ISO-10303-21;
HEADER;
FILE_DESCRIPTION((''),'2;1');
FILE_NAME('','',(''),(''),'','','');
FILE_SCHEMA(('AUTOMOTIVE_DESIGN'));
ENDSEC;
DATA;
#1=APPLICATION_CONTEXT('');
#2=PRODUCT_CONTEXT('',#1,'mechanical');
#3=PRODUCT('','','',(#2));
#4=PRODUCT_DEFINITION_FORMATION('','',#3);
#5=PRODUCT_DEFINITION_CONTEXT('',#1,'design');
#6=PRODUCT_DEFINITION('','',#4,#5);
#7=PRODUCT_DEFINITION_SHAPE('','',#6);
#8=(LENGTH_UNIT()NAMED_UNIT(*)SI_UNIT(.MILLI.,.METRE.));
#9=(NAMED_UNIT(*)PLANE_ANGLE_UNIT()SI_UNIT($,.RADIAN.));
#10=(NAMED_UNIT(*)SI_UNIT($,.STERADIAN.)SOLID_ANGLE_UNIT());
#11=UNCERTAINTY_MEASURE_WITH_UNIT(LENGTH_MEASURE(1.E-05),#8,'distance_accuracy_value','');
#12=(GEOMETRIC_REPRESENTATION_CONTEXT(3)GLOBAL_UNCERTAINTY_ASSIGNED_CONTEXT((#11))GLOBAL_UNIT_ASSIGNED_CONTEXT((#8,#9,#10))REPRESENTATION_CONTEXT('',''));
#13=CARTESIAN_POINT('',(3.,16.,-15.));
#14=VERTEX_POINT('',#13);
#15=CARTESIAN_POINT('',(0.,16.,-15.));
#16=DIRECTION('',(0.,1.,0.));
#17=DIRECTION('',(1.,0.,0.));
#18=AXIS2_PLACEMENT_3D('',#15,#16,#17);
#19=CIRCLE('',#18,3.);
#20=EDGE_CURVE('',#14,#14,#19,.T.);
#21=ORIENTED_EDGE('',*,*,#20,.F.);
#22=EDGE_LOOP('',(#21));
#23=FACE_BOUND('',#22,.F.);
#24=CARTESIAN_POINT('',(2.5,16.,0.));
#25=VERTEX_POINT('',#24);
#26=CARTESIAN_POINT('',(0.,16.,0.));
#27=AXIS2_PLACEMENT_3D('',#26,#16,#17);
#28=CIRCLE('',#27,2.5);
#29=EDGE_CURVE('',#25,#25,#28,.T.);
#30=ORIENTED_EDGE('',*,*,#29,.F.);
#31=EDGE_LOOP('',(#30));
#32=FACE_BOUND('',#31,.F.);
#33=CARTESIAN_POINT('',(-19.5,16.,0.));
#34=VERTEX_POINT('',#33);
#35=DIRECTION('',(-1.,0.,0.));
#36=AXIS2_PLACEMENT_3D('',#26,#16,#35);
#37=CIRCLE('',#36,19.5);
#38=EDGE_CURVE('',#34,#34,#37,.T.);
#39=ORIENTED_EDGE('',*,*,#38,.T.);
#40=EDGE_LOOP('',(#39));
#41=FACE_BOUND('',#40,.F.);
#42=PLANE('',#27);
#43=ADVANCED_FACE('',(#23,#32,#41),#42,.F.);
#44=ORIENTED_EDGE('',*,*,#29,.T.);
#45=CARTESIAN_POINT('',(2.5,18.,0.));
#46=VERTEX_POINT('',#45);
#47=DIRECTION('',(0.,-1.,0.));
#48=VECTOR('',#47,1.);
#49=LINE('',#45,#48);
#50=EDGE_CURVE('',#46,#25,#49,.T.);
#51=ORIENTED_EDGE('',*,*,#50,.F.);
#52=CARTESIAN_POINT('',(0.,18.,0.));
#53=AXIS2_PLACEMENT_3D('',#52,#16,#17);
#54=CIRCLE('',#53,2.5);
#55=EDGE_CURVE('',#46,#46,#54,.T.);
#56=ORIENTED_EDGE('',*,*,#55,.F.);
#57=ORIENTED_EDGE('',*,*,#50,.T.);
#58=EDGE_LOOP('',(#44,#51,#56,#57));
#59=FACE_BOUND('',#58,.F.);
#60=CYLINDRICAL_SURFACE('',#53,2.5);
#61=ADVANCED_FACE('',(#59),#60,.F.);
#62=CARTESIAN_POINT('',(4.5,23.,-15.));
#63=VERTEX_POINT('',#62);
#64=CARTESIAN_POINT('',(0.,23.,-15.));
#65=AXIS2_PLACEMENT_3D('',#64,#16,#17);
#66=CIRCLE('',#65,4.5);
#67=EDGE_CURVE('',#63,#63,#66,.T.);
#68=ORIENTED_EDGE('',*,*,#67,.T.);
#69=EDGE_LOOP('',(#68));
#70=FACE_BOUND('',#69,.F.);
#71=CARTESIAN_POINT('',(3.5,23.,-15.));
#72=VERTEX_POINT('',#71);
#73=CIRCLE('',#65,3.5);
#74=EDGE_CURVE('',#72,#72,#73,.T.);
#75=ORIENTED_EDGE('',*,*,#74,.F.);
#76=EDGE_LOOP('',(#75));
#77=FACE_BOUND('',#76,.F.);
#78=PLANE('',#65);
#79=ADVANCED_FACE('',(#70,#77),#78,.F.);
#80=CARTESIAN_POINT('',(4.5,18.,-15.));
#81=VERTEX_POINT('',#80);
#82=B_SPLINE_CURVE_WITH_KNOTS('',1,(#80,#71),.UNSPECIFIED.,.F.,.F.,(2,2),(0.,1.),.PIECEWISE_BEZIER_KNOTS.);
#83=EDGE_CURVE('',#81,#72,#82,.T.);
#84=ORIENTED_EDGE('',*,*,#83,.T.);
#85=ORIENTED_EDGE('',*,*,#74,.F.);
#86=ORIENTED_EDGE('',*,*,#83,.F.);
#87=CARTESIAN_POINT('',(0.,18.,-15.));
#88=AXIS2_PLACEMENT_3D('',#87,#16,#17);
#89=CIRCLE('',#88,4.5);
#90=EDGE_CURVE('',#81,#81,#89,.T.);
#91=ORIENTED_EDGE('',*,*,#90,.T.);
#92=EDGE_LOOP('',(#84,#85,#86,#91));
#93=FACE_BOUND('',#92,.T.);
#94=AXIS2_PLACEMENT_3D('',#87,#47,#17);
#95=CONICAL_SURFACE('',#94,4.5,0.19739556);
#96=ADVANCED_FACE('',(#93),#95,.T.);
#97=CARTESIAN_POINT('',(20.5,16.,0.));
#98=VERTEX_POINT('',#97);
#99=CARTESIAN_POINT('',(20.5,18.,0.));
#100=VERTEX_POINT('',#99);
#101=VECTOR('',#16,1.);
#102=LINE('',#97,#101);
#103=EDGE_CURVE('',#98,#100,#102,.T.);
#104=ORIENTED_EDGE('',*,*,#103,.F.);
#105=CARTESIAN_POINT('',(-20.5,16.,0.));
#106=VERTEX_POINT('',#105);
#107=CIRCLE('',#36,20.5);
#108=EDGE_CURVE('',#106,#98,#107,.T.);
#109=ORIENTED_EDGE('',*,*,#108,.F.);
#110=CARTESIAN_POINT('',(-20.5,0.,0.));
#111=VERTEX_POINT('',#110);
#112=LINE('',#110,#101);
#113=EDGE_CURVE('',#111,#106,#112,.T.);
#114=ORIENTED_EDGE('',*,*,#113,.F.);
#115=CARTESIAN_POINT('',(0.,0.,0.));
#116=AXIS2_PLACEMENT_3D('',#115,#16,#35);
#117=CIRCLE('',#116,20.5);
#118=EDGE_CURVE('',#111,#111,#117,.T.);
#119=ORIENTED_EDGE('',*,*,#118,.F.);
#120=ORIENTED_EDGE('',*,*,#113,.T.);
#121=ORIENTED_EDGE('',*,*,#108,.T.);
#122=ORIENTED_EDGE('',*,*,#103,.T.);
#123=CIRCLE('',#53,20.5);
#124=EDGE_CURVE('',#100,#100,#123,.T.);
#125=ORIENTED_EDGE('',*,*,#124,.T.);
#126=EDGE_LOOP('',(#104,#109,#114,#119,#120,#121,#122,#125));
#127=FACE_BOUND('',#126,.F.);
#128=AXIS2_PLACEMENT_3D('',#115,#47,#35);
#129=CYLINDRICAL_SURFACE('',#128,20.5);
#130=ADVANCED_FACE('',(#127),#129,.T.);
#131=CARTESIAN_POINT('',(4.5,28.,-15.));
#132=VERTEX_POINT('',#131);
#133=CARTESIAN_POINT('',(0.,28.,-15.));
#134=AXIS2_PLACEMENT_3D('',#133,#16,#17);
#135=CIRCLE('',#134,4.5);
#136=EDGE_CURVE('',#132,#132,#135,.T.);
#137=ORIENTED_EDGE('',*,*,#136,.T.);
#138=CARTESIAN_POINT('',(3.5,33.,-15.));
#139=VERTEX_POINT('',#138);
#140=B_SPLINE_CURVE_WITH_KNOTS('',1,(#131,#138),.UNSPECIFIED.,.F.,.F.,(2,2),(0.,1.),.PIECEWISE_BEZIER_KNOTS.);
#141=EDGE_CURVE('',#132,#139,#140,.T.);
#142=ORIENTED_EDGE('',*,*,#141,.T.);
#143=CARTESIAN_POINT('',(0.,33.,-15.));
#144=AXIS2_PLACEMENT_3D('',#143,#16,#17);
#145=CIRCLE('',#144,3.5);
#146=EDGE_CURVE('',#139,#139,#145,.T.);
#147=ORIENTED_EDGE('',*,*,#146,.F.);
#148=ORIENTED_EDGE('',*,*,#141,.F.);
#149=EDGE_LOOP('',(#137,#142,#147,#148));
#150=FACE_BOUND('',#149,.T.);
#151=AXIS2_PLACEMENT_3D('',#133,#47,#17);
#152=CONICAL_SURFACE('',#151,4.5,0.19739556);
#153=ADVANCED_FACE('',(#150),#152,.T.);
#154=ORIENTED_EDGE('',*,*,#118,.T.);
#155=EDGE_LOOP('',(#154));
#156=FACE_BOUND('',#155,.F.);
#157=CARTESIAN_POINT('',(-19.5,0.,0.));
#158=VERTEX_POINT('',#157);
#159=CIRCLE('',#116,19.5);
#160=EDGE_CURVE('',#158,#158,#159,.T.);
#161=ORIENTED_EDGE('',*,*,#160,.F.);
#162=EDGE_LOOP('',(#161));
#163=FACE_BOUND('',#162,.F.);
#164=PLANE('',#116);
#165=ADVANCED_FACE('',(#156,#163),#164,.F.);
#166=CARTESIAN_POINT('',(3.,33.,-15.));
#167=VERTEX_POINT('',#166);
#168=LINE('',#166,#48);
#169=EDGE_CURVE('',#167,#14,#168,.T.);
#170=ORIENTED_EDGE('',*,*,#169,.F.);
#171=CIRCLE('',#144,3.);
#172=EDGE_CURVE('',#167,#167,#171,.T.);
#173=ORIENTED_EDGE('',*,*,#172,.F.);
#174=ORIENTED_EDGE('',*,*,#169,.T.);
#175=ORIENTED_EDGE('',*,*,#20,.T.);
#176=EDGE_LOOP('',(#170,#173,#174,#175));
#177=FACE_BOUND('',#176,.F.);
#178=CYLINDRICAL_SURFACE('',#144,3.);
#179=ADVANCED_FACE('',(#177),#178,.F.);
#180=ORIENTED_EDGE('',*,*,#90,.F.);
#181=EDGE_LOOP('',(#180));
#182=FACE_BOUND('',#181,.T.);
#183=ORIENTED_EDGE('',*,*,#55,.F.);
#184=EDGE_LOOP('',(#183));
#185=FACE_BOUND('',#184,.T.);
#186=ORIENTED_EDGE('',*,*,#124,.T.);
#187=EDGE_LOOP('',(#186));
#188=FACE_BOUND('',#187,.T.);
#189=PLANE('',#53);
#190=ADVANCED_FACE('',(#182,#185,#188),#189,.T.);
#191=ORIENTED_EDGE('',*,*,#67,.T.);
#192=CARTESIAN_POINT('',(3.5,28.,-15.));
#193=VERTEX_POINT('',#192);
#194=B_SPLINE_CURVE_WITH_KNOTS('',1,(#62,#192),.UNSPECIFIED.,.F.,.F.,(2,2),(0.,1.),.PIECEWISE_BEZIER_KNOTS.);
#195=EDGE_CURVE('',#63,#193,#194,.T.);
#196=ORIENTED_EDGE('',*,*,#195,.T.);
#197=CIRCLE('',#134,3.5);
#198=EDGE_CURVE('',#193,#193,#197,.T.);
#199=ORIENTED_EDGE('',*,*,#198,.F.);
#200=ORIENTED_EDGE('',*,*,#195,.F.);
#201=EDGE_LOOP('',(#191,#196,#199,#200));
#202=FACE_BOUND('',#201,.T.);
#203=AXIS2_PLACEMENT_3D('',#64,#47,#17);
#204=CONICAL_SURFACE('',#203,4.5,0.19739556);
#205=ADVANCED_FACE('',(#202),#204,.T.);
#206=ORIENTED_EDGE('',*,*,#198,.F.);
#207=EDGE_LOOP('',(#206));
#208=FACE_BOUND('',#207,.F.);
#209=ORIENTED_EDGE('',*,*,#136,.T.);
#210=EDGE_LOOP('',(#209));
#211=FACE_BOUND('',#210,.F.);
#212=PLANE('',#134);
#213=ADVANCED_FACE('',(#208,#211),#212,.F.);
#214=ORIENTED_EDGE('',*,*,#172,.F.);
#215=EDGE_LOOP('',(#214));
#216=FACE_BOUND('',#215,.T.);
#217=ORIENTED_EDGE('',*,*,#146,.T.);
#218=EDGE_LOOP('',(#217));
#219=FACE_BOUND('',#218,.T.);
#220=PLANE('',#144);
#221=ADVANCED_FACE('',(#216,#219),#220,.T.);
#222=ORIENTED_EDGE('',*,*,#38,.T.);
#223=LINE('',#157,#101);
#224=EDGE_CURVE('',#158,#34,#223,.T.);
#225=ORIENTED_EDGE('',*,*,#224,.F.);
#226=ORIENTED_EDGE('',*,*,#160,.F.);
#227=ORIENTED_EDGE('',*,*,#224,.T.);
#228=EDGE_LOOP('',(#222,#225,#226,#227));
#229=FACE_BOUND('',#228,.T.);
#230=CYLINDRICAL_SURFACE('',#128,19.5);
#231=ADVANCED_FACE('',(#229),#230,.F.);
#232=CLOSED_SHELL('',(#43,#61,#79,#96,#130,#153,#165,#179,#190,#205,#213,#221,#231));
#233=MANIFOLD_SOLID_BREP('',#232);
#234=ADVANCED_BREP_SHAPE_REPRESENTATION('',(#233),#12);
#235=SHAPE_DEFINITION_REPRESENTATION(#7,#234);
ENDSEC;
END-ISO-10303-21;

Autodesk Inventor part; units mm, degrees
ref_plane "YZ Plane" through (0, 0, 0) normal (1, 0, 0) x (0, 1, 0)
ref_plane "XZ Plane" through (0, 0, 0) normal (0, 1, 0) x (-1, 0, 0)
sketch "Sketch1" plane through (0, 0, 0) normal (0, 1, 0) x (-1, 0, 0)
  circle A0 centre (0, 0) radius 19.5
  circle A1 centre (0, 0) radius 20.5
  dimension "d0" = 39
  dimension "d1" = 41
extrude "Extrusion1" add sketch "Sketch1" along normal blind 16
thread "Thread1" size "M39x2" class "6H" standard "ANSI Metric M Profile" length 16
sketch "Sketch2" plane through (0, 16, 0) normal (0, 1, 0) x (1, 0, 0)
  circle A0 centre (0, 0) radius 20.5
  circle A1 centre (0, 0) radius 20.5 projected
extrude "Extrusion2" add sketch "Sketch2" along normal blind 2
sketch "Sketch3" plane through (0, 18, 0) normal (0, 1, 0) x (1, 0, 0)
  circle A0 centre (0, 0) radius 2.5
  dimension "d8" = 5
extrude "Extrusion3" cut sketch "Sketch3" against normal blind 2
sketch "Sketch4" plane through (0, 18, 0) normal (0, 1, 0) x (1, 0, 0)
  circle A0 centre (0, 15) radius 4.5
  point P0 (0, 0)
  dimension "d13" = 9
  dimension "d14" = 15
ref_plane "Work Plane1" through (0, 23, 0) normal (0, 1, 0) x (1, 0, 0)
sketch "Sketch5" plane through (0, 23, 0) normal (0, 1, 0) x (1, 0, 0)
  circle A0 centre (0, 15) radius 3.5
  point P0 (0, 0)
  dimension "d16" = 7
loft "Loft1" add profiles "Sketch4", "Sketch5"
pattern_linear "Rectangular Pattern2" count 3 spacing 5 along (0, 1, 0) of "Loft1"
sketch "Sketch9" plane through (0, 33, -15) normal (0, 1, 0) x (1, 0, 0)
  circle A0 centre (0, 0) radius 3
  circle A1 centre (0, 0) radius 3.5 projected
  point P0 (0, -15)
  dimension "d33" = 6
extrude "Extrusion5" cut sketch "Sketch9" against normal through all contours A0
properties part number "Cap" material "PPS Plastic"
